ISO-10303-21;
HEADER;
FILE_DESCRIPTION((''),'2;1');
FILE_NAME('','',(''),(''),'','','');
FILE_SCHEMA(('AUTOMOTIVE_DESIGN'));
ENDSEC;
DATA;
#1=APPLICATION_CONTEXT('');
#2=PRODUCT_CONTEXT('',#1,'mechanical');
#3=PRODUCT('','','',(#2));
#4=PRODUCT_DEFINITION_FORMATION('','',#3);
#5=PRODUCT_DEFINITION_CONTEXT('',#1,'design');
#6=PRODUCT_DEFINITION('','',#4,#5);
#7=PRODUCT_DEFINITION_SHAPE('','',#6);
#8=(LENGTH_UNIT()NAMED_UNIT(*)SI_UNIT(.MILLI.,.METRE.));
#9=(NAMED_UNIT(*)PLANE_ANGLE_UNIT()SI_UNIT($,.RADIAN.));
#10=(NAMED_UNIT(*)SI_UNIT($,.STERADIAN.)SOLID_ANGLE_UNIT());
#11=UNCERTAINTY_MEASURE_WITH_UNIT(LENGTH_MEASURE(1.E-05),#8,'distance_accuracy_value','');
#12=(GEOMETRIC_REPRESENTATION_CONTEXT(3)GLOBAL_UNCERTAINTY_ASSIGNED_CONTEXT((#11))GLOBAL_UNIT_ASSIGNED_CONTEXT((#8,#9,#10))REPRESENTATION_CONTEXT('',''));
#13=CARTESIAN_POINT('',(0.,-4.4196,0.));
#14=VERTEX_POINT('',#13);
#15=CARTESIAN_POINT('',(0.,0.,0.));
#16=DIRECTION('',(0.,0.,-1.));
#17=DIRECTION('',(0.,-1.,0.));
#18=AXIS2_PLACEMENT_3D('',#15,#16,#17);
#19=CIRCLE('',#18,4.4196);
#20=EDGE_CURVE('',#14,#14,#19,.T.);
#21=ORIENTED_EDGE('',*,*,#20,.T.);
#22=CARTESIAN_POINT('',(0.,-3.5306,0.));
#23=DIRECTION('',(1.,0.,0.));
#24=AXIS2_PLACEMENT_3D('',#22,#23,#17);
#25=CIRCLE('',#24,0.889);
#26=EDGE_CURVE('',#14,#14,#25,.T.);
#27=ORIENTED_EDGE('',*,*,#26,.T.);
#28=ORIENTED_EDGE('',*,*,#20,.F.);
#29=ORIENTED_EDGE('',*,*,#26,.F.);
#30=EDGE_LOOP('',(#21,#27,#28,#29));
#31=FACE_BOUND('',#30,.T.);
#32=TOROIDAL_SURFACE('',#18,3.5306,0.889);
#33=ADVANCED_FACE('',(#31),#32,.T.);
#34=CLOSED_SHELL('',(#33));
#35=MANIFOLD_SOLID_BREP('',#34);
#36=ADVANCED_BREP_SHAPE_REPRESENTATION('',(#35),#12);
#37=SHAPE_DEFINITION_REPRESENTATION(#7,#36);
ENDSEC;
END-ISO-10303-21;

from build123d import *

# Parameters (mm, degrees)
SKETCH1_R = 0.889


with BuildPart() as part:
    # Sketch1 → Revolve1 (revolve)
    with BuildSketch(Plane(origin=(0, 0, 0), x_dir=(0, -1, 0), z_dir=(1, 0, 0))):
        with Locations((3.5306, 0)):
            Circle(SKETCH1_R)
    revolve(axis=Axis((0, 0, 0.889), (0, 0, -1)))


solid = part.part
